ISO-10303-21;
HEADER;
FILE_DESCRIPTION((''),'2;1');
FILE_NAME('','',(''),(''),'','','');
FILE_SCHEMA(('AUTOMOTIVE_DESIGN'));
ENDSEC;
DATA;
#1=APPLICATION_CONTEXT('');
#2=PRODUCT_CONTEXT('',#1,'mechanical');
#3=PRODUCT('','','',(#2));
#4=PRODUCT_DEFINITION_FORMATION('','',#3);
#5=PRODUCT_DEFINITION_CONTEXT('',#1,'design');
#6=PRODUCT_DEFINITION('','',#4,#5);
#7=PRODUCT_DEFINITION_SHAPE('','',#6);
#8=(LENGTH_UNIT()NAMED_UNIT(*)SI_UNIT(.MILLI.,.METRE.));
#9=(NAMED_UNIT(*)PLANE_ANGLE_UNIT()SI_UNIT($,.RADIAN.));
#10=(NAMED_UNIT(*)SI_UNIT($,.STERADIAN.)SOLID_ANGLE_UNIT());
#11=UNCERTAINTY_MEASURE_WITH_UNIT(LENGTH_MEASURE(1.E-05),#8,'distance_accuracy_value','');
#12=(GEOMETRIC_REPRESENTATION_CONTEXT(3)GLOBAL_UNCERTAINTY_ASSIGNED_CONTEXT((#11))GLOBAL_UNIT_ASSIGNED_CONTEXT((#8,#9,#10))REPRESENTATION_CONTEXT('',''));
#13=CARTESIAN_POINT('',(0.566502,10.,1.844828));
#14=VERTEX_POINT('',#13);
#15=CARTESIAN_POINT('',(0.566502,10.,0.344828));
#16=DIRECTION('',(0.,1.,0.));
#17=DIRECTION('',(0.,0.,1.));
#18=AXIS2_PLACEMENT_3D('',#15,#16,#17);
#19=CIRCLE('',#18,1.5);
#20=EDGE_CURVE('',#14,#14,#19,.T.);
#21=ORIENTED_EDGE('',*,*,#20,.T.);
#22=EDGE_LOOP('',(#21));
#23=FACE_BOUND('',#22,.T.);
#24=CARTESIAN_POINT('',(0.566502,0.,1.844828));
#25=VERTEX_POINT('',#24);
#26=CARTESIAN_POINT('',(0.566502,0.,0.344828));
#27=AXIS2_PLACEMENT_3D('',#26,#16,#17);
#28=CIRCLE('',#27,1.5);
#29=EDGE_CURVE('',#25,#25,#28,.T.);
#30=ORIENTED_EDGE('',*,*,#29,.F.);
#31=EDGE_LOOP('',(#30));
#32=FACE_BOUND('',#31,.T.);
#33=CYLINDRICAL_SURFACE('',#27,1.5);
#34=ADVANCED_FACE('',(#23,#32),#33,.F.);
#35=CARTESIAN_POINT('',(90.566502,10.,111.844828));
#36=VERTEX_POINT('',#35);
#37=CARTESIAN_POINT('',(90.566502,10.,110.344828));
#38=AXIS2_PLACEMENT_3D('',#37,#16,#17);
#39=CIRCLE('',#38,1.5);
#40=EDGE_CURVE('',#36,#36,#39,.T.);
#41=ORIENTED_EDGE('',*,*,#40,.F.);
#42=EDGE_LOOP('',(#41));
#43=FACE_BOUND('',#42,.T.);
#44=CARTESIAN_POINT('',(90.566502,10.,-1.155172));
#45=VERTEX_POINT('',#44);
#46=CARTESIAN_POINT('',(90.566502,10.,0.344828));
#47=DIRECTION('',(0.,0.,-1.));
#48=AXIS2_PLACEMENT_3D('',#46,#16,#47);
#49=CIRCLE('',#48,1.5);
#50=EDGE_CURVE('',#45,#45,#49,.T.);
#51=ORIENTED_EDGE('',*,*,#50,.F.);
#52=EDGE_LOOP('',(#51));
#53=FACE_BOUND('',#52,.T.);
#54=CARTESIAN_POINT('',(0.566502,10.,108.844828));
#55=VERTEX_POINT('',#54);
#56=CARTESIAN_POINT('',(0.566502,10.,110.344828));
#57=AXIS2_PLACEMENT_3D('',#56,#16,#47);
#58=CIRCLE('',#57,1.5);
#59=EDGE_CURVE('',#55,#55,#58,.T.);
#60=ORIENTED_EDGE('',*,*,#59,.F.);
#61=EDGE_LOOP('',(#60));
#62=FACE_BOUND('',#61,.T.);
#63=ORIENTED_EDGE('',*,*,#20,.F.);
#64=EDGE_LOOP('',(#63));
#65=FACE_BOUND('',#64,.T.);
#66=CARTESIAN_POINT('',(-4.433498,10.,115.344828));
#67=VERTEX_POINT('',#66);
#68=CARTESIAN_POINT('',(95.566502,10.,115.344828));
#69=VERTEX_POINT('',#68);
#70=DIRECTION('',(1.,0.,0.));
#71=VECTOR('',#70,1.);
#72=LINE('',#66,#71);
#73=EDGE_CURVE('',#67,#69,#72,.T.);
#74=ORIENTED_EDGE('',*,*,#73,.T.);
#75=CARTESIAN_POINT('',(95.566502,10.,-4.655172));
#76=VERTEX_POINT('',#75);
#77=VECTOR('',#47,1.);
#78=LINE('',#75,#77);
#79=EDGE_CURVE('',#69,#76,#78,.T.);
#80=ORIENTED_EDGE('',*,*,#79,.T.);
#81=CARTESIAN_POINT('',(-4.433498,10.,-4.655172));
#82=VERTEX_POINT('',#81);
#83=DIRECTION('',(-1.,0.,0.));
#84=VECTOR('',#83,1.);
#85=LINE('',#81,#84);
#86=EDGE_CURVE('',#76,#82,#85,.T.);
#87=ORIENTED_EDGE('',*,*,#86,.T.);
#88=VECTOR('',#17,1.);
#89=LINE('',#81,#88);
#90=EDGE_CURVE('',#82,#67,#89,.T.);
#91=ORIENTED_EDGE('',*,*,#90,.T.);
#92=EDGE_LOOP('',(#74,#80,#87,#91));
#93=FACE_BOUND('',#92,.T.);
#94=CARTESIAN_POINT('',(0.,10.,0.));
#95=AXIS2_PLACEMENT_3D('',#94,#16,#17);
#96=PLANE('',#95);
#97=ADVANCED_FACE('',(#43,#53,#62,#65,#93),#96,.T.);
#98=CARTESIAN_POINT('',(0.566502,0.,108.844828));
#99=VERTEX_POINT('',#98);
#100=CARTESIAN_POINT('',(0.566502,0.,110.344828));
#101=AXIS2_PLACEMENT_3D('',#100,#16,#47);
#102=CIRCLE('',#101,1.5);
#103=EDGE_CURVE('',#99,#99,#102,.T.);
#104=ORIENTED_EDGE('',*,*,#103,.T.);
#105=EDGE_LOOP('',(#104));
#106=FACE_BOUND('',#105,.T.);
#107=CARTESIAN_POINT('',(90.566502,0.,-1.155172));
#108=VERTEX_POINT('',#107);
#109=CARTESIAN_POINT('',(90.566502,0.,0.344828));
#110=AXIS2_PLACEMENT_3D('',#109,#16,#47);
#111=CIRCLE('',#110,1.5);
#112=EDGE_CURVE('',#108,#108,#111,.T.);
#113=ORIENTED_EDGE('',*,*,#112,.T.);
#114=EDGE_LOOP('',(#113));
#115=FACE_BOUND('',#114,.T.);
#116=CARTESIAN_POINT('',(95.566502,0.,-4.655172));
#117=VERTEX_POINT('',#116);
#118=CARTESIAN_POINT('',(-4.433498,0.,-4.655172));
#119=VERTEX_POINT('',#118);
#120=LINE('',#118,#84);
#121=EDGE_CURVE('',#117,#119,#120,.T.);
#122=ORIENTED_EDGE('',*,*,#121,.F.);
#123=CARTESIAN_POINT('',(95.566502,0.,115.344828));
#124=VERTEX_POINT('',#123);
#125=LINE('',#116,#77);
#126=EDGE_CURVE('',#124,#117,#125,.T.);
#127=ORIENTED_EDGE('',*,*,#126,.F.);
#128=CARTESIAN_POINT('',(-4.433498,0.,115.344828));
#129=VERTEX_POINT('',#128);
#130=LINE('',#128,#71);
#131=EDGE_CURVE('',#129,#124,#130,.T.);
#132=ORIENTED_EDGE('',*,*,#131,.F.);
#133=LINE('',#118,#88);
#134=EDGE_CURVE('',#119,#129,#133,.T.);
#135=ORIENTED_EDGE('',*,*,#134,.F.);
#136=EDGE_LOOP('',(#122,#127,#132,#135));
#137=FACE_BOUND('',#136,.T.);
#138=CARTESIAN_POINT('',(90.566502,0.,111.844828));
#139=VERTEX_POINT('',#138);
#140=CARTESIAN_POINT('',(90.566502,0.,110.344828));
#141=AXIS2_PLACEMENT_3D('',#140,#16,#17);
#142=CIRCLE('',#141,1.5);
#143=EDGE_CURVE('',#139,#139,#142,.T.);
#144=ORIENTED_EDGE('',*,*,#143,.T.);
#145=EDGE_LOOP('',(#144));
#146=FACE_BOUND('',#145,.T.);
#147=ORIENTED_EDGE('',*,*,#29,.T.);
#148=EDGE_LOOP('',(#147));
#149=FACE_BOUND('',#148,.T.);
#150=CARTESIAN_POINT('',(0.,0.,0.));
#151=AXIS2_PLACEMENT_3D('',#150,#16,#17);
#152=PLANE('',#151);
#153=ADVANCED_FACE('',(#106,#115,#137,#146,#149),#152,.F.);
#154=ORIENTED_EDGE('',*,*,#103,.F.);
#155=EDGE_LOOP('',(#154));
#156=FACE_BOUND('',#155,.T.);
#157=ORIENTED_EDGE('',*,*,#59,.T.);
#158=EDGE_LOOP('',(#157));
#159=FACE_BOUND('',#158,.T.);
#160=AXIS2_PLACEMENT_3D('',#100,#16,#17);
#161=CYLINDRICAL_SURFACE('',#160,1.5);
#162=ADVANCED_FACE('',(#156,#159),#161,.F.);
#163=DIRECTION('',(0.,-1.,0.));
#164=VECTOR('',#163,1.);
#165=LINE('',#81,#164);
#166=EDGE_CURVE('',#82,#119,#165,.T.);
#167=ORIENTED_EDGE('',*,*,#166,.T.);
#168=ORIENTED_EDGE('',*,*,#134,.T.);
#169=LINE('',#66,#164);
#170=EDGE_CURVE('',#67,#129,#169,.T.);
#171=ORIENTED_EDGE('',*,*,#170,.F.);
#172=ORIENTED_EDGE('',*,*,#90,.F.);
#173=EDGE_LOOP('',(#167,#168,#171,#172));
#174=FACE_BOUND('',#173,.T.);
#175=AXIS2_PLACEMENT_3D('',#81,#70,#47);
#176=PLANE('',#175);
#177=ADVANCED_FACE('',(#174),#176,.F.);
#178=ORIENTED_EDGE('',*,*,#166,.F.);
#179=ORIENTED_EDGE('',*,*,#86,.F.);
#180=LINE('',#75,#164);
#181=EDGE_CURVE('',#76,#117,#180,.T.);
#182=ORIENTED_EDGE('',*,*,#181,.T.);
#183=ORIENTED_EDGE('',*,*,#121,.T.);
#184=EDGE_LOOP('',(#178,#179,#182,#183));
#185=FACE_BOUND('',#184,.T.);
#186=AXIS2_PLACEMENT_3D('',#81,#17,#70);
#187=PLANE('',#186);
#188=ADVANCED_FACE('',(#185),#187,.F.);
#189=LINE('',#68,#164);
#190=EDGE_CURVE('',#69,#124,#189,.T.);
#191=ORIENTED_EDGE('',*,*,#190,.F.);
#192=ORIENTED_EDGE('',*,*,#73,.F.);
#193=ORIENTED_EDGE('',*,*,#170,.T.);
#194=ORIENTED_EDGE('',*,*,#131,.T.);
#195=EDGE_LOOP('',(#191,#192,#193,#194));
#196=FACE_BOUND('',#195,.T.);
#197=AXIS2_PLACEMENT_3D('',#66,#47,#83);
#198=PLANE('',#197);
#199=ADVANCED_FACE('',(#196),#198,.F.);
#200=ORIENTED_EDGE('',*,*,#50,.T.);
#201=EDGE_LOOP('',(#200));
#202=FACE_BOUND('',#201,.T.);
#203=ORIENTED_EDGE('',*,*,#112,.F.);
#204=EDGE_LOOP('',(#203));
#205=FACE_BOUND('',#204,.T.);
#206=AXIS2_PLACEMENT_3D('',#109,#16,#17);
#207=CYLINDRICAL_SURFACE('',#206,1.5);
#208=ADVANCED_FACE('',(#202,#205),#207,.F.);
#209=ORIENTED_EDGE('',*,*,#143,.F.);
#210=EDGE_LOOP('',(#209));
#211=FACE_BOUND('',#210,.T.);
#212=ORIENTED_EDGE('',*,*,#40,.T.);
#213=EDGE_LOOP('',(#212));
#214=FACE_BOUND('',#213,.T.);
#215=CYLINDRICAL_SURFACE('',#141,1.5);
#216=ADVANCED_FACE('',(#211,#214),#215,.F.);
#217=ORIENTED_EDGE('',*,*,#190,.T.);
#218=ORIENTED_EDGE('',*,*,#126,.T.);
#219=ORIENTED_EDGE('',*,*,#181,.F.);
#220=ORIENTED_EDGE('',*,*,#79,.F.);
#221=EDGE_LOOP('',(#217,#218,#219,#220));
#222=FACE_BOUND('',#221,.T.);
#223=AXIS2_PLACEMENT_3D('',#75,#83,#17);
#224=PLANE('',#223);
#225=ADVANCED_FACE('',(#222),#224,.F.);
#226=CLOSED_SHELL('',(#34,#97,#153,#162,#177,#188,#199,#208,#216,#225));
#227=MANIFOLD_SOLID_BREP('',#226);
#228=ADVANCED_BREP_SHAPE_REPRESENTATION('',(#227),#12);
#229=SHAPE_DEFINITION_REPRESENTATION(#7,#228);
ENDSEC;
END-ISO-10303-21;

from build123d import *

# Parameters (mm, degrees)
SKETCH1_W           = 100
SKETCH1_H           = 120
BOSS_EXTRUDE1_DEPTH = 10
SKETCH2_R           = 1.5
CUT_EXTRUDE4_DEPTH  = 151.12456709


with BuildPart() as part:
    # Sketch1 → Boss-Extrude1 (new body)
    with BuildSketch(Plane(origin=(0, 0, 0), x_dir=(1, 0, 0), z_dir=(0, 1, 0))):
        with Locations((45.566502463, -55.344827586)):
            Rectangle(SKETCH1_W, SKETCH1_H)
    extrude(amount=BOSS_EXTRUDE1_DEPTH)

    # Sketch2 → Cut-Extrude4 (cut, through all)
    with BuildSketch(Plane(origin=(0, 10, 0), x_dir=(1, 0, 0), z_dir=(0, 1, 0))):
        with Locations(Location((0.566502463, -0.344827586, 0), (0, 0, 270))):
            Circle(SKETCH2_R)
        with Locations(Location((90.566502463, -0.344827586, 0), (0, 0, 90))):
            Circle(SKETCH2_R)
        with Locations(Location((90.566502463, -110.344827586, 0), (0, 0, 270))):
            Circle(SKETCH2_R)
        with Locations(Location((0.566502463, -110.344827586, 0), (0, 0, 90))):
            Circle(SKETCH2_R)
    extrude(amount=-CUT_EXTRUDE4_DEPTH, mode=Mode.SUBTRACT)


solid = part.part
